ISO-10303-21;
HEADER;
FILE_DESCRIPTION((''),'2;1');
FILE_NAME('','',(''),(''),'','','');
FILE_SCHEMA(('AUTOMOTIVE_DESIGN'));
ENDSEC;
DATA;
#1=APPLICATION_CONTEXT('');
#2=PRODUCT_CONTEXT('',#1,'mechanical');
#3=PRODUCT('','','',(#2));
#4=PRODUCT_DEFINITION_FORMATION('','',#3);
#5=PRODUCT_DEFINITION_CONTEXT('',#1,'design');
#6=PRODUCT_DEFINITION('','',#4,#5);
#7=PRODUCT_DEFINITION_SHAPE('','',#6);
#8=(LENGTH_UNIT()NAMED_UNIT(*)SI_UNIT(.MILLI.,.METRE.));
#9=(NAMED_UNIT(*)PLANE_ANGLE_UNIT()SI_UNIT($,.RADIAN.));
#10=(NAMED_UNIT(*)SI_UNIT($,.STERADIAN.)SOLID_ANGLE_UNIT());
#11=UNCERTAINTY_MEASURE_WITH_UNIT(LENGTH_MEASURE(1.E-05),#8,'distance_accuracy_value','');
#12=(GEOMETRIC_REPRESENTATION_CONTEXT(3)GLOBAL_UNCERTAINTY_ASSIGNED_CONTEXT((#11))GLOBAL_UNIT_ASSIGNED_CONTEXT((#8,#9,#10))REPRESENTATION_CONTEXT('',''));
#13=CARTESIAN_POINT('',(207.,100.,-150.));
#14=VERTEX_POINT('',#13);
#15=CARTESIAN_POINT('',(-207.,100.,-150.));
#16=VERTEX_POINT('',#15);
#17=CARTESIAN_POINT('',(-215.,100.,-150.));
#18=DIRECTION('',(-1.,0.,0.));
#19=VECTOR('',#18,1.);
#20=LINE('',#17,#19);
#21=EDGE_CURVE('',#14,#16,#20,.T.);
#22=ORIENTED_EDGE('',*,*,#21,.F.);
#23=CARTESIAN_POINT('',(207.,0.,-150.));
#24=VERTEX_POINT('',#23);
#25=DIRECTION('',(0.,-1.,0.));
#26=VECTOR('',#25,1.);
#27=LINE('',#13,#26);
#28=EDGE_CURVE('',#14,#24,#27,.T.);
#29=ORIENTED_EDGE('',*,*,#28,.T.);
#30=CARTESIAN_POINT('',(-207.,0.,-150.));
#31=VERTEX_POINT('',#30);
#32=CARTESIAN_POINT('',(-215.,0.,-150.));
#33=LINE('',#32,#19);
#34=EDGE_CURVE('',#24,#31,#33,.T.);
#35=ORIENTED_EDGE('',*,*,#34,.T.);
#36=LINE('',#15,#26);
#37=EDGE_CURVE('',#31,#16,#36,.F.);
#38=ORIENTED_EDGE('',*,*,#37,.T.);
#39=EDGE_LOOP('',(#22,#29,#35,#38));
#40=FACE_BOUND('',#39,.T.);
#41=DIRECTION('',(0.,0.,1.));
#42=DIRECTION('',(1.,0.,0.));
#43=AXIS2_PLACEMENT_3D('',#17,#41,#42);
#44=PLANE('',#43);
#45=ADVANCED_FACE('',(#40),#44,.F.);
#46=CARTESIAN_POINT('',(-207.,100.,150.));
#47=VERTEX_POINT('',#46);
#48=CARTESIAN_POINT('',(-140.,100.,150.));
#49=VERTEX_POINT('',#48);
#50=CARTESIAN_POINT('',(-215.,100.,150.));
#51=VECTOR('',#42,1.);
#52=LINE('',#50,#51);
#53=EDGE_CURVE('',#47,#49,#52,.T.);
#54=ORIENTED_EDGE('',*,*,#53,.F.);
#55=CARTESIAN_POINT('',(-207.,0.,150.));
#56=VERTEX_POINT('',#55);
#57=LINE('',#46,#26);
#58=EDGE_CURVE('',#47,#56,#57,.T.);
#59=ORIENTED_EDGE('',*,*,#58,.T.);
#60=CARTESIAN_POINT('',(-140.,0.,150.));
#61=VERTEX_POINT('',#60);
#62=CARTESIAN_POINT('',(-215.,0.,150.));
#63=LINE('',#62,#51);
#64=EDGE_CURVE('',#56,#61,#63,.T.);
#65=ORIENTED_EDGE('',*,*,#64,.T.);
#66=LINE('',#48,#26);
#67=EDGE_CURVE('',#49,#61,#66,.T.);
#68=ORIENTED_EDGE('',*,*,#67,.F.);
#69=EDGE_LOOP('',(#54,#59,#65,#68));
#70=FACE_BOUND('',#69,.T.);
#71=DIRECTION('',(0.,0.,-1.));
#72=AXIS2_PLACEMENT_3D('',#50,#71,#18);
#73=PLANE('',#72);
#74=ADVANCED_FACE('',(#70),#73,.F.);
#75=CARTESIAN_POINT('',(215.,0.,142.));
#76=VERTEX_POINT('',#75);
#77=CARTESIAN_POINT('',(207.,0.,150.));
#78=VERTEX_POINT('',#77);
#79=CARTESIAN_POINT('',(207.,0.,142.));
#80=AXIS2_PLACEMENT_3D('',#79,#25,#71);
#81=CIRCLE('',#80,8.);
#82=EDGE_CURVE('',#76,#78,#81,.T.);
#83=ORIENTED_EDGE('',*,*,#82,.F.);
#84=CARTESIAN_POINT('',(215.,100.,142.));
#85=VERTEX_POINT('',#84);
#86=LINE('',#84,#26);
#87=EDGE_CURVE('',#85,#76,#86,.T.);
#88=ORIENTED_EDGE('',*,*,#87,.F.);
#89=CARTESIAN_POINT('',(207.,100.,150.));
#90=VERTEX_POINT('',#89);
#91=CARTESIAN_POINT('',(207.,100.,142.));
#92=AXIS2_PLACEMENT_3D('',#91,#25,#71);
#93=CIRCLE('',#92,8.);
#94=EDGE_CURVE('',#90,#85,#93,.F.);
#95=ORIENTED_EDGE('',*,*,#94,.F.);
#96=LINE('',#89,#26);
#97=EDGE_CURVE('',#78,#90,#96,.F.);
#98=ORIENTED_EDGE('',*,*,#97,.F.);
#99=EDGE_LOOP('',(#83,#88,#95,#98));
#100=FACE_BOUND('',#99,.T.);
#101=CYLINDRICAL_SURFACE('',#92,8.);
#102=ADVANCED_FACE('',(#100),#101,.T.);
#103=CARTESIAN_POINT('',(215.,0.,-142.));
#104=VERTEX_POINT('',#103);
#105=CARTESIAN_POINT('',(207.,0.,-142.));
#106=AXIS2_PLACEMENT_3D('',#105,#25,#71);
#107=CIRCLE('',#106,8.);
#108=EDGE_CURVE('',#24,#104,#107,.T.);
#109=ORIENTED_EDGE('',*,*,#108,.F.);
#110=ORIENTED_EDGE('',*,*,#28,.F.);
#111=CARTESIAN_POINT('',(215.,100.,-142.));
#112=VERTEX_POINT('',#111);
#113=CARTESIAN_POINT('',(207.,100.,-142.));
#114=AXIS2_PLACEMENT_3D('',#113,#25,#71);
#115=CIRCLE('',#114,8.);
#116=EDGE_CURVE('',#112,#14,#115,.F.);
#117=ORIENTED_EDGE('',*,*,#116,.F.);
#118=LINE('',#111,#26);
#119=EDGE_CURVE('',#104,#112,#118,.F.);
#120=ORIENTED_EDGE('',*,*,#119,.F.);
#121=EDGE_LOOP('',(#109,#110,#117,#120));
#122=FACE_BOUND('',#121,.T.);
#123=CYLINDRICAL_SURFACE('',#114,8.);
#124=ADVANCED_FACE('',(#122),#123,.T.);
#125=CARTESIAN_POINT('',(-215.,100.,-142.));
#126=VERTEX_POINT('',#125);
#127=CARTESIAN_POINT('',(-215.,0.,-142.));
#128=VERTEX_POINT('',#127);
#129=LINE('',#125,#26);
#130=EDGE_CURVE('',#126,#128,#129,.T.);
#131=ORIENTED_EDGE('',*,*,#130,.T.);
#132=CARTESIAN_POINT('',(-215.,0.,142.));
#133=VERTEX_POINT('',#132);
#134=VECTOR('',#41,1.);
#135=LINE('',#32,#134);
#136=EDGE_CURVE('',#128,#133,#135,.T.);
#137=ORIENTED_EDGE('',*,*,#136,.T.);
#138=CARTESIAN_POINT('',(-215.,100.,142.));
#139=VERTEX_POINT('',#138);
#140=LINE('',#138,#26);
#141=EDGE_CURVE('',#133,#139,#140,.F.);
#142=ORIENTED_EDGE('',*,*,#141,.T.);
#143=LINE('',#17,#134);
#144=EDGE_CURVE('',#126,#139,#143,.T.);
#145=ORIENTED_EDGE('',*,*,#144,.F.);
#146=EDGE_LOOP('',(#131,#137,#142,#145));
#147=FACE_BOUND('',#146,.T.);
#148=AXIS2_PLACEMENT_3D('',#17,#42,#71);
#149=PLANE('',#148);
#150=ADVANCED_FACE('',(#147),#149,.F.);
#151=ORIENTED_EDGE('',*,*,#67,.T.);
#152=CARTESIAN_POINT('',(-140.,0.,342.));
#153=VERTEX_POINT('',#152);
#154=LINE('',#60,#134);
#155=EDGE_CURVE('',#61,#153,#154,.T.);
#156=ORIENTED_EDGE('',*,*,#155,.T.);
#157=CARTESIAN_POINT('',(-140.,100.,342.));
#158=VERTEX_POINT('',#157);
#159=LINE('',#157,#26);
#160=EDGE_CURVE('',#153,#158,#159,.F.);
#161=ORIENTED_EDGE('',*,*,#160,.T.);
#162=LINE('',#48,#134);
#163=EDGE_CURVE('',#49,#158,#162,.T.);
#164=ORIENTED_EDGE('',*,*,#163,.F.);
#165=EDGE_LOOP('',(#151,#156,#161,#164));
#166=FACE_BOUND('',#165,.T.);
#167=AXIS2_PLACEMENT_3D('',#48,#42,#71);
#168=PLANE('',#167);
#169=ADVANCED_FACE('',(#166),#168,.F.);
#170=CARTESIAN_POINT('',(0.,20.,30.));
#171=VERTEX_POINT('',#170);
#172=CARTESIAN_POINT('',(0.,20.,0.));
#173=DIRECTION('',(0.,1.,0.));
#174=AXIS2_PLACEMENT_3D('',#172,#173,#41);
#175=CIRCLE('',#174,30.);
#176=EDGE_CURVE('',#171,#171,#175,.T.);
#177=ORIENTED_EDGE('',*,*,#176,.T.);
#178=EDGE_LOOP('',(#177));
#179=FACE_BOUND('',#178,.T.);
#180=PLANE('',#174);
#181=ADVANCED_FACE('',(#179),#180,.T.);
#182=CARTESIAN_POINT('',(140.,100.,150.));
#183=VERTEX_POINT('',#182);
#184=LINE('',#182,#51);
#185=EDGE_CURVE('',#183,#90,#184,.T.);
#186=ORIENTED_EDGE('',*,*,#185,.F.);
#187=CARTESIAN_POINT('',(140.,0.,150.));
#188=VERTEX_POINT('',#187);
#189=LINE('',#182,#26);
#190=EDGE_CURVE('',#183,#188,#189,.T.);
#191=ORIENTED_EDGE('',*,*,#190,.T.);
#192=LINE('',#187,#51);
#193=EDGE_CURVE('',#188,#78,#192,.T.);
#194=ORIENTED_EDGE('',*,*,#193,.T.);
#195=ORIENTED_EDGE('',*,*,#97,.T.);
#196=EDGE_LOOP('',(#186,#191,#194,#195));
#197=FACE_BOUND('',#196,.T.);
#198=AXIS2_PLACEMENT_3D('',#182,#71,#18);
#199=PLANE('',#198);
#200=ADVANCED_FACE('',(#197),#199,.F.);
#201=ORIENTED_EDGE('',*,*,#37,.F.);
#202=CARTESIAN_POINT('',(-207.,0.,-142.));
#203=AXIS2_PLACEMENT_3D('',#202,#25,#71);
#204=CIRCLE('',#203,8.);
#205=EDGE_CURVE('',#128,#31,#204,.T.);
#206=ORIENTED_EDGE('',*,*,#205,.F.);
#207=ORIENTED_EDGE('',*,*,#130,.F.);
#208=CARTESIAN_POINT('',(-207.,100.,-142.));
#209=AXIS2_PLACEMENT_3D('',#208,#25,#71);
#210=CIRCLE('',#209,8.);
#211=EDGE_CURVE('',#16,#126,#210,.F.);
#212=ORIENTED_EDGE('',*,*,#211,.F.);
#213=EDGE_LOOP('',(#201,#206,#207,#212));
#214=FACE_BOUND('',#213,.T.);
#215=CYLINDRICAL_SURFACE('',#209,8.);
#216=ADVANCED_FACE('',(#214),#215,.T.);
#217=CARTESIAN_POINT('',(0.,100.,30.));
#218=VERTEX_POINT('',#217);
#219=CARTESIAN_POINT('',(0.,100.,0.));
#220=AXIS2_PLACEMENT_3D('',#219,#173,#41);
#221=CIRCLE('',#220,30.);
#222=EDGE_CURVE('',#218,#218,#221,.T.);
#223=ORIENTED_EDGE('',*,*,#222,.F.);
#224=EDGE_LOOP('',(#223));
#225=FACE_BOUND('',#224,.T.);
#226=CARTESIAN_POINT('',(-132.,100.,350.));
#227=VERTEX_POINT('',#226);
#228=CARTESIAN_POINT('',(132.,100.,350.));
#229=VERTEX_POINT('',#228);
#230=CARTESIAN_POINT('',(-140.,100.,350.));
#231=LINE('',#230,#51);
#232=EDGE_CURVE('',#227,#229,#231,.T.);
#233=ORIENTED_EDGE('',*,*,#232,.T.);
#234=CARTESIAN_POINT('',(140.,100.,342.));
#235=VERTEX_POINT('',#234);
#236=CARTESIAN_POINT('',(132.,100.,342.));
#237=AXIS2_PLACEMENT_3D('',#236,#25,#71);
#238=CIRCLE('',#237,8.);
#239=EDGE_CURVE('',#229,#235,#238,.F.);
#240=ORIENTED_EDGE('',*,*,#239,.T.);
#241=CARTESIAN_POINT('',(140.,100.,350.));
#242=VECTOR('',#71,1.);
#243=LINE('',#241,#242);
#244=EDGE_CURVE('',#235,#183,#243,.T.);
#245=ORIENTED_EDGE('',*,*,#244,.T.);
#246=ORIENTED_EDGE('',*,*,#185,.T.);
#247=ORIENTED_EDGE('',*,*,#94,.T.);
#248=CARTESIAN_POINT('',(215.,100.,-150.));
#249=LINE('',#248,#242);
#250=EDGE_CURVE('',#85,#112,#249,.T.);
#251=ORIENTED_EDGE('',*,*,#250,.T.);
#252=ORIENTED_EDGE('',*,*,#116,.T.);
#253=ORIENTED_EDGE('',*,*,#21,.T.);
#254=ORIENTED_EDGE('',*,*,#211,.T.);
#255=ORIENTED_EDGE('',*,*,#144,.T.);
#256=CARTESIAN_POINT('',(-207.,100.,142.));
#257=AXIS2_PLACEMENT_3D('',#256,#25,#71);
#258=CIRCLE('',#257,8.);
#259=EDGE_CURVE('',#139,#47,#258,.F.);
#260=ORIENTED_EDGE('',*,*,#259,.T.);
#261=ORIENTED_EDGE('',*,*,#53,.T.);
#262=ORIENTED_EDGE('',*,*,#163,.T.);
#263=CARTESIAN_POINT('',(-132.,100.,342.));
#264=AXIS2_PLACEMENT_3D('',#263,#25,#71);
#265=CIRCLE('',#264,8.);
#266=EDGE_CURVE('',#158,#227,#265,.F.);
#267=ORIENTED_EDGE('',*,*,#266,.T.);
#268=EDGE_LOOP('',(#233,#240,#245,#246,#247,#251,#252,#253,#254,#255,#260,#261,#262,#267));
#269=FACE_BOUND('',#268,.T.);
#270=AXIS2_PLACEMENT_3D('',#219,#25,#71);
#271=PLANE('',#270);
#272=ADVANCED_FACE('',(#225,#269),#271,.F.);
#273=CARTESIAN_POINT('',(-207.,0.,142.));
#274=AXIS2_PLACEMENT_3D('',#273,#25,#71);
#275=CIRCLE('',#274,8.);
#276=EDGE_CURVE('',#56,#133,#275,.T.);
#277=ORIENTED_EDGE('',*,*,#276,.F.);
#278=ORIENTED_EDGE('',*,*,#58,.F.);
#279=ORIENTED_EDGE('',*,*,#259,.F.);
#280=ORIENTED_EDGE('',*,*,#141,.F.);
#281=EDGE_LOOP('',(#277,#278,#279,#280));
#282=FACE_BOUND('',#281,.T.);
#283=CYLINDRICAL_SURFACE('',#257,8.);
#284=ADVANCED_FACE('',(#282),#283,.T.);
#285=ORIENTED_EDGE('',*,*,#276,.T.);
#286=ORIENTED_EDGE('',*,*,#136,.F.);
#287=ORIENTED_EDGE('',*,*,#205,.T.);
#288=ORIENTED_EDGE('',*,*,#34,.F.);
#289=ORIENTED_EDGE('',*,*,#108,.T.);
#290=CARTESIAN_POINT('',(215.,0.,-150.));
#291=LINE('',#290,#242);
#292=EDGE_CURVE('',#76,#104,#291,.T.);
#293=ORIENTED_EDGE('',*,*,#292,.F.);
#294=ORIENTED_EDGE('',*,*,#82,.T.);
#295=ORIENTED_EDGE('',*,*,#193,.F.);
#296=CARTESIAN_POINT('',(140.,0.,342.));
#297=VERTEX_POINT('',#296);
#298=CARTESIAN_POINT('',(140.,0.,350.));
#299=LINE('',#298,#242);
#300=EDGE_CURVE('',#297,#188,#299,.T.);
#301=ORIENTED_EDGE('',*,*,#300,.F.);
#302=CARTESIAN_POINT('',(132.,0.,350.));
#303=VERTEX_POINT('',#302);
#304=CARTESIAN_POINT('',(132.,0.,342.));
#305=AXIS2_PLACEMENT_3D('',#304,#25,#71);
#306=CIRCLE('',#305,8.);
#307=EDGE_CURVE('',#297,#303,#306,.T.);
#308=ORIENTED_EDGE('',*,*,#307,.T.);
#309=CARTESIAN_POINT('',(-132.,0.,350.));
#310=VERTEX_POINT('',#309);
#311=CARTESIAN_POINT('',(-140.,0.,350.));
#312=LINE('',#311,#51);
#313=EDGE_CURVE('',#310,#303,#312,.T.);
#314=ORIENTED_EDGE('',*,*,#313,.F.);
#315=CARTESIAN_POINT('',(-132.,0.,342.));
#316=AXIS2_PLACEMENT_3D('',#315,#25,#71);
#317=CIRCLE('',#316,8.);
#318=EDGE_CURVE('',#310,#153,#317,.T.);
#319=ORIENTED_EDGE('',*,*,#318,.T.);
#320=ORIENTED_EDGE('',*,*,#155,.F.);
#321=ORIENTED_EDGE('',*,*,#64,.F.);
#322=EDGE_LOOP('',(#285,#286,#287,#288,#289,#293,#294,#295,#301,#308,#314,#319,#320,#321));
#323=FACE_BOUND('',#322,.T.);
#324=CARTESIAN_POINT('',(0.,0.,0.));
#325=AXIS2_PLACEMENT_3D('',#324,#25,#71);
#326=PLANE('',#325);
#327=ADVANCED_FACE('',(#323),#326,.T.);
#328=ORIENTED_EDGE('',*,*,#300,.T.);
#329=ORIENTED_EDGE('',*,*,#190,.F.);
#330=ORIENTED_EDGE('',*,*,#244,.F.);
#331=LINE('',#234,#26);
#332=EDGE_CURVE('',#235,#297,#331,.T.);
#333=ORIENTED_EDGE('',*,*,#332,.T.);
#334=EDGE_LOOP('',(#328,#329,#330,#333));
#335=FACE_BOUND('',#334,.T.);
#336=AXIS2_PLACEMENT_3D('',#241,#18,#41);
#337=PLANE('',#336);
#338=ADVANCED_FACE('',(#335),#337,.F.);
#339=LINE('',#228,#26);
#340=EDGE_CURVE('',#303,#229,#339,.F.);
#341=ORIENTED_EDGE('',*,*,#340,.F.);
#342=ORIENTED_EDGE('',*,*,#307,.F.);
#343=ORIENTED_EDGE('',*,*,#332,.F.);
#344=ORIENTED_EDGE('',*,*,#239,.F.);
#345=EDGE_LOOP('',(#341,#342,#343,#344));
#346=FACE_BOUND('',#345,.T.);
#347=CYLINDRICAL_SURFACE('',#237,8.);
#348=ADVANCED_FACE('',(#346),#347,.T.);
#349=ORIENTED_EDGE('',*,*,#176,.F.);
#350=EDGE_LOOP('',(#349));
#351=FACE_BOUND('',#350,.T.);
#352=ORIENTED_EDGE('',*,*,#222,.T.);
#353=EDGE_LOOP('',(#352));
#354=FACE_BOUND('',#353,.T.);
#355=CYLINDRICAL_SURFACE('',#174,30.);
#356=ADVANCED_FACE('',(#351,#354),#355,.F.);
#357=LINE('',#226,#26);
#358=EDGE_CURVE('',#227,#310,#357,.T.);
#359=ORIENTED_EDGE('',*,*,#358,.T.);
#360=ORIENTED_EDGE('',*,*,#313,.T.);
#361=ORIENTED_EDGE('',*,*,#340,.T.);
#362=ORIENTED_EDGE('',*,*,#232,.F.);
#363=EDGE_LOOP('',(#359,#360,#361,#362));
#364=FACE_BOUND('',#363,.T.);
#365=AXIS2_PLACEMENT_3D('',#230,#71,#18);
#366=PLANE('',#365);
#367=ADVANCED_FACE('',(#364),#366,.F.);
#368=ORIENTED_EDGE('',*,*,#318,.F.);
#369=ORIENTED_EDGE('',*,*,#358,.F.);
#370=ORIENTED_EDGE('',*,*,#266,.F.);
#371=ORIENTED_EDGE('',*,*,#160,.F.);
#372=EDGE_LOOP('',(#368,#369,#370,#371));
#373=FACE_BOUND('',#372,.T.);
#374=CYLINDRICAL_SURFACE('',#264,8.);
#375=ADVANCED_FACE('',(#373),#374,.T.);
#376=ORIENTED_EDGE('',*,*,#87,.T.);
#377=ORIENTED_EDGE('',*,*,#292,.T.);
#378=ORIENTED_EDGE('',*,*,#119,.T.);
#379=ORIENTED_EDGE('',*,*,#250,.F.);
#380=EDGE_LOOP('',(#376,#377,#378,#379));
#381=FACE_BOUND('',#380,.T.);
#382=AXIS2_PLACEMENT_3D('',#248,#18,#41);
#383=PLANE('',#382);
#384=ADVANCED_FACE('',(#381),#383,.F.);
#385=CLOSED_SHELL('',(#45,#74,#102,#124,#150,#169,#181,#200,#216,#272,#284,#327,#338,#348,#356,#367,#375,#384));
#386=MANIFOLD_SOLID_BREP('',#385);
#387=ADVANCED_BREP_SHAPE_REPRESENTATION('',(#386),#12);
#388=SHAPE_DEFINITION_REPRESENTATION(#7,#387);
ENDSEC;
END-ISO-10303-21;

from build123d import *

# Parameters (mm, degrees)
BOSS_EXTRUDE1_DEPTH = 100
FILLET2_R           = 8
SKETCH2_R           = 30
CUT_EXTRUDE1_DEPTH  = 80


with BuildPart() as part:
    # Sketch1 → Boss-Extrude1 (new body)
    with BuildSketch(Plane(origin=(0, 0, 0), x_dir=(1, 0, 0), z_dir=(0, 1, 0))):
        Polygon((-140, -150), (-140, -350), (140, -350), (140, -150), (215, -150), (215, 150), (-215, 150), (-215, -150), align=None)
    extrude(amount=BOSS_EXTRUDE1_DEPTH)

    # Fillet2
    fillet2_edges = [part.edges().sort_by_distance(p)[0] for p in [
        (140, 50, 350),
        (-140, 50, 350),
        (-215, 50, 150),
        (-215, 50, -150),
        (215, 50, -150),
        (215, 50, 150),
    ]]
    fillet(fillet2_edges, radius=FILLET2_R)

    # Sketch2 → Cut-Extrude1 (cut)
    with BuildSketch(Plane(origin=(0, 100, 0), x_dir=(1, 0, 0), z_dir=(0, 1, 0))):
        Circle(SKETCH2_R)
    extrude(amount=-CUT_EXTRUDE1_DEPTH, mode=Mode.SUBTRACT)


solid = part.part
